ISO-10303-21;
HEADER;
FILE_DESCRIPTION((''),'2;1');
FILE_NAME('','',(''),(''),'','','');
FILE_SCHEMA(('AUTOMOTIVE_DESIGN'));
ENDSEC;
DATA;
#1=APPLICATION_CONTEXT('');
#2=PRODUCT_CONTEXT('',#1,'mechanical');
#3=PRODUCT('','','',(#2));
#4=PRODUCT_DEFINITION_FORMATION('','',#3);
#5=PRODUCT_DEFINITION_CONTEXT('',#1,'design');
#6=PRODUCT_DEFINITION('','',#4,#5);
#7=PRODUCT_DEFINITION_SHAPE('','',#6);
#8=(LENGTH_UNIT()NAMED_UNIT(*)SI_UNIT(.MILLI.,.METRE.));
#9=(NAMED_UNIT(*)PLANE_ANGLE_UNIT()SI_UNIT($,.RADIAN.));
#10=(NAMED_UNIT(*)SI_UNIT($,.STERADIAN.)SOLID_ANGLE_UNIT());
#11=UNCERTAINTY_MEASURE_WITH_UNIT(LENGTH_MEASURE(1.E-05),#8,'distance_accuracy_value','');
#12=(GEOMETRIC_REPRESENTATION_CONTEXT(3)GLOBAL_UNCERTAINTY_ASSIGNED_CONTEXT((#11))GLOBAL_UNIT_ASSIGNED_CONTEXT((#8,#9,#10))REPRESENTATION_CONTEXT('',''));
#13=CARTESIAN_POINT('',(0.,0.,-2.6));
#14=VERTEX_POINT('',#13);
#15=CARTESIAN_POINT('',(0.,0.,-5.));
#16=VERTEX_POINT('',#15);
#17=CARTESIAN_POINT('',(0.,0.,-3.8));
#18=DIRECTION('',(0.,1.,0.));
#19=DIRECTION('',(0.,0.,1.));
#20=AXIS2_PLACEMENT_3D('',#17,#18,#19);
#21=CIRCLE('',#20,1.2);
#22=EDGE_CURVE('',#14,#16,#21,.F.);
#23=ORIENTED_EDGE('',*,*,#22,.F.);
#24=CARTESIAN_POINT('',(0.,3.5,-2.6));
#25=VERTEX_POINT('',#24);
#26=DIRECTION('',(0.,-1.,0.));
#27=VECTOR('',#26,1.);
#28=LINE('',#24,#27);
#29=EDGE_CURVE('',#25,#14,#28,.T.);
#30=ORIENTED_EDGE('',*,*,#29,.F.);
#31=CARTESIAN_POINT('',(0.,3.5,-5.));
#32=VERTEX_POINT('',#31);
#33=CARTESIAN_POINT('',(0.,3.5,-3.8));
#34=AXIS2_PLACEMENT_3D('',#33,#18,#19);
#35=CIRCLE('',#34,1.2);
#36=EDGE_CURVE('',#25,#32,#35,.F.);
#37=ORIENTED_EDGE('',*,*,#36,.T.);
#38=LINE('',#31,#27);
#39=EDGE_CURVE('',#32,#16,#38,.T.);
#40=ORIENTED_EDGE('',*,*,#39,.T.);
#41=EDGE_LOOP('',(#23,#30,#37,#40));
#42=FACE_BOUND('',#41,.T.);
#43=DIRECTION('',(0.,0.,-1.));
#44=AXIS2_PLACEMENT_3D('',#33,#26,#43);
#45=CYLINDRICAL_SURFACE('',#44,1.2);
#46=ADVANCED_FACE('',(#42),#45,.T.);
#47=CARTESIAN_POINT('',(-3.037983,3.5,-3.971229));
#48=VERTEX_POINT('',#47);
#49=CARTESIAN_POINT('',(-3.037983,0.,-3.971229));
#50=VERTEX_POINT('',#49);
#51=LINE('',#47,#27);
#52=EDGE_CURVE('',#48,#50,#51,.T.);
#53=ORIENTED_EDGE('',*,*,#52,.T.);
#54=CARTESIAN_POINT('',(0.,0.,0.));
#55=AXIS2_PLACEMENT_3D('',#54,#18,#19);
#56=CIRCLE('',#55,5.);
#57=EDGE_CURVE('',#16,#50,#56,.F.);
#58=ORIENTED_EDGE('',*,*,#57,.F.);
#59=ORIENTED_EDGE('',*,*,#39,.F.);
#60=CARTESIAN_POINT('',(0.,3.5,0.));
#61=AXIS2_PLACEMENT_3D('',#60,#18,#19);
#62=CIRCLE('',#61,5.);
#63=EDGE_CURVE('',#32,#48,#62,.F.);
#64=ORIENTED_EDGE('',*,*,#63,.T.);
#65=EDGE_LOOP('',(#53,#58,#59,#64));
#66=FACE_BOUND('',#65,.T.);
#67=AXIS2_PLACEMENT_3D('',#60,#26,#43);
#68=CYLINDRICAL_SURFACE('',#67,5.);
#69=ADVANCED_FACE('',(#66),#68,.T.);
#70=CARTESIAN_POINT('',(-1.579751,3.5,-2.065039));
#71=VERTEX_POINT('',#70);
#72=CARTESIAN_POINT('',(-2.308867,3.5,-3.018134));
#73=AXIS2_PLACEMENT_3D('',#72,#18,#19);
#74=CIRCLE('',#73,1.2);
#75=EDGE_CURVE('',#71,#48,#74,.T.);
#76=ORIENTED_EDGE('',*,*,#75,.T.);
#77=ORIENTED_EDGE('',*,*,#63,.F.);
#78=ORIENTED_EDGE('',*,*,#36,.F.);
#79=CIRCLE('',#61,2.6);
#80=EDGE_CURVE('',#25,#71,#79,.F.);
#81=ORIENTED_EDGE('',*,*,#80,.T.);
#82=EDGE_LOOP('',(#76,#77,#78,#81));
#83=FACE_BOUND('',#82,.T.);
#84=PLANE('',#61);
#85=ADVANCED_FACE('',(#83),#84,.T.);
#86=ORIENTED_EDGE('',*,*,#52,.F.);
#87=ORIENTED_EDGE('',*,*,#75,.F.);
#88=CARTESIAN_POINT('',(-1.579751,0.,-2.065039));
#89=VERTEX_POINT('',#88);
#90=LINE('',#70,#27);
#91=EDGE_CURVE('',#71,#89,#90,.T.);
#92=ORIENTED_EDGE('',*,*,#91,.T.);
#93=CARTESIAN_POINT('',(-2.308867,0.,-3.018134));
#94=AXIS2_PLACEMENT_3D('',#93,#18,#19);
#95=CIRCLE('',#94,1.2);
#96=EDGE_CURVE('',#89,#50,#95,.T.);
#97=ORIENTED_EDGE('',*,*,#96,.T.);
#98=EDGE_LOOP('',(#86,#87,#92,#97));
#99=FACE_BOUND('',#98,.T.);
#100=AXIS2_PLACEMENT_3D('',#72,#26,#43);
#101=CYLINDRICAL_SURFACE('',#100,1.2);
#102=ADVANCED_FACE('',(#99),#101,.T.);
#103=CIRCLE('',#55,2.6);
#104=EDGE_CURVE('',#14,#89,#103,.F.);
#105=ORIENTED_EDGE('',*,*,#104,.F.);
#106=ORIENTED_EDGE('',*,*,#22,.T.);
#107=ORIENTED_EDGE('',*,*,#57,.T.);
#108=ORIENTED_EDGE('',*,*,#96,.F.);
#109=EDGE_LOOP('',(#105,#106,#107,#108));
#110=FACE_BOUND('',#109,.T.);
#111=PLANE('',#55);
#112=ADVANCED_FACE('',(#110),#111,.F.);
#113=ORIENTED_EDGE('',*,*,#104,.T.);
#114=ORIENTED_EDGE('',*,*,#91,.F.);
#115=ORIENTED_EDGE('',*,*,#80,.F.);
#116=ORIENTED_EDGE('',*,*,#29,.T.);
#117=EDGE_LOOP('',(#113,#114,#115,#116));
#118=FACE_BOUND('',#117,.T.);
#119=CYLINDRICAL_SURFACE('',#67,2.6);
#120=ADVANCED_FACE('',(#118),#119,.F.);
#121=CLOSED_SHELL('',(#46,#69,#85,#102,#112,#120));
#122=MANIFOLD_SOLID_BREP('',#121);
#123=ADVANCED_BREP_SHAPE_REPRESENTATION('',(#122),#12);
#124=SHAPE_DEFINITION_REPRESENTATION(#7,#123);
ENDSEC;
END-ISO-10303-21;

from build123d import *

# Parameters (mm, degrees)
BOSS_EXTRUDE1_DEPTH = 3.5


with BuildPart() as part:
    # Sketch1 → Boss-Extrude1 (new body)
    with BuildSketch(Plane(origin=(0, 0, 0), x_dir=(1, 0, 0), z_dir=(0, 1, 0))):
        with BuildLine():
            ThreePointArc((0, 2.6), (0.833935879, -2.4626309), (-1.579750972, 2.065039192))
            ThreePointArc((-1.579750972, 2.065039192), (-1.355771794, 3.747250038), (-3.037982639, 3.971229216))
            ThreePointArc((-3.037982639, 3.971229216), (1.603722844, -4.735828654), (0, 5))
            ThreePointArc((0, 5), (-1.2, 3.8), (0, 2.6))
        make_face()
    extrude(amount=BOSS_EXTRUDE1_DEPTH)


solid = part.part
